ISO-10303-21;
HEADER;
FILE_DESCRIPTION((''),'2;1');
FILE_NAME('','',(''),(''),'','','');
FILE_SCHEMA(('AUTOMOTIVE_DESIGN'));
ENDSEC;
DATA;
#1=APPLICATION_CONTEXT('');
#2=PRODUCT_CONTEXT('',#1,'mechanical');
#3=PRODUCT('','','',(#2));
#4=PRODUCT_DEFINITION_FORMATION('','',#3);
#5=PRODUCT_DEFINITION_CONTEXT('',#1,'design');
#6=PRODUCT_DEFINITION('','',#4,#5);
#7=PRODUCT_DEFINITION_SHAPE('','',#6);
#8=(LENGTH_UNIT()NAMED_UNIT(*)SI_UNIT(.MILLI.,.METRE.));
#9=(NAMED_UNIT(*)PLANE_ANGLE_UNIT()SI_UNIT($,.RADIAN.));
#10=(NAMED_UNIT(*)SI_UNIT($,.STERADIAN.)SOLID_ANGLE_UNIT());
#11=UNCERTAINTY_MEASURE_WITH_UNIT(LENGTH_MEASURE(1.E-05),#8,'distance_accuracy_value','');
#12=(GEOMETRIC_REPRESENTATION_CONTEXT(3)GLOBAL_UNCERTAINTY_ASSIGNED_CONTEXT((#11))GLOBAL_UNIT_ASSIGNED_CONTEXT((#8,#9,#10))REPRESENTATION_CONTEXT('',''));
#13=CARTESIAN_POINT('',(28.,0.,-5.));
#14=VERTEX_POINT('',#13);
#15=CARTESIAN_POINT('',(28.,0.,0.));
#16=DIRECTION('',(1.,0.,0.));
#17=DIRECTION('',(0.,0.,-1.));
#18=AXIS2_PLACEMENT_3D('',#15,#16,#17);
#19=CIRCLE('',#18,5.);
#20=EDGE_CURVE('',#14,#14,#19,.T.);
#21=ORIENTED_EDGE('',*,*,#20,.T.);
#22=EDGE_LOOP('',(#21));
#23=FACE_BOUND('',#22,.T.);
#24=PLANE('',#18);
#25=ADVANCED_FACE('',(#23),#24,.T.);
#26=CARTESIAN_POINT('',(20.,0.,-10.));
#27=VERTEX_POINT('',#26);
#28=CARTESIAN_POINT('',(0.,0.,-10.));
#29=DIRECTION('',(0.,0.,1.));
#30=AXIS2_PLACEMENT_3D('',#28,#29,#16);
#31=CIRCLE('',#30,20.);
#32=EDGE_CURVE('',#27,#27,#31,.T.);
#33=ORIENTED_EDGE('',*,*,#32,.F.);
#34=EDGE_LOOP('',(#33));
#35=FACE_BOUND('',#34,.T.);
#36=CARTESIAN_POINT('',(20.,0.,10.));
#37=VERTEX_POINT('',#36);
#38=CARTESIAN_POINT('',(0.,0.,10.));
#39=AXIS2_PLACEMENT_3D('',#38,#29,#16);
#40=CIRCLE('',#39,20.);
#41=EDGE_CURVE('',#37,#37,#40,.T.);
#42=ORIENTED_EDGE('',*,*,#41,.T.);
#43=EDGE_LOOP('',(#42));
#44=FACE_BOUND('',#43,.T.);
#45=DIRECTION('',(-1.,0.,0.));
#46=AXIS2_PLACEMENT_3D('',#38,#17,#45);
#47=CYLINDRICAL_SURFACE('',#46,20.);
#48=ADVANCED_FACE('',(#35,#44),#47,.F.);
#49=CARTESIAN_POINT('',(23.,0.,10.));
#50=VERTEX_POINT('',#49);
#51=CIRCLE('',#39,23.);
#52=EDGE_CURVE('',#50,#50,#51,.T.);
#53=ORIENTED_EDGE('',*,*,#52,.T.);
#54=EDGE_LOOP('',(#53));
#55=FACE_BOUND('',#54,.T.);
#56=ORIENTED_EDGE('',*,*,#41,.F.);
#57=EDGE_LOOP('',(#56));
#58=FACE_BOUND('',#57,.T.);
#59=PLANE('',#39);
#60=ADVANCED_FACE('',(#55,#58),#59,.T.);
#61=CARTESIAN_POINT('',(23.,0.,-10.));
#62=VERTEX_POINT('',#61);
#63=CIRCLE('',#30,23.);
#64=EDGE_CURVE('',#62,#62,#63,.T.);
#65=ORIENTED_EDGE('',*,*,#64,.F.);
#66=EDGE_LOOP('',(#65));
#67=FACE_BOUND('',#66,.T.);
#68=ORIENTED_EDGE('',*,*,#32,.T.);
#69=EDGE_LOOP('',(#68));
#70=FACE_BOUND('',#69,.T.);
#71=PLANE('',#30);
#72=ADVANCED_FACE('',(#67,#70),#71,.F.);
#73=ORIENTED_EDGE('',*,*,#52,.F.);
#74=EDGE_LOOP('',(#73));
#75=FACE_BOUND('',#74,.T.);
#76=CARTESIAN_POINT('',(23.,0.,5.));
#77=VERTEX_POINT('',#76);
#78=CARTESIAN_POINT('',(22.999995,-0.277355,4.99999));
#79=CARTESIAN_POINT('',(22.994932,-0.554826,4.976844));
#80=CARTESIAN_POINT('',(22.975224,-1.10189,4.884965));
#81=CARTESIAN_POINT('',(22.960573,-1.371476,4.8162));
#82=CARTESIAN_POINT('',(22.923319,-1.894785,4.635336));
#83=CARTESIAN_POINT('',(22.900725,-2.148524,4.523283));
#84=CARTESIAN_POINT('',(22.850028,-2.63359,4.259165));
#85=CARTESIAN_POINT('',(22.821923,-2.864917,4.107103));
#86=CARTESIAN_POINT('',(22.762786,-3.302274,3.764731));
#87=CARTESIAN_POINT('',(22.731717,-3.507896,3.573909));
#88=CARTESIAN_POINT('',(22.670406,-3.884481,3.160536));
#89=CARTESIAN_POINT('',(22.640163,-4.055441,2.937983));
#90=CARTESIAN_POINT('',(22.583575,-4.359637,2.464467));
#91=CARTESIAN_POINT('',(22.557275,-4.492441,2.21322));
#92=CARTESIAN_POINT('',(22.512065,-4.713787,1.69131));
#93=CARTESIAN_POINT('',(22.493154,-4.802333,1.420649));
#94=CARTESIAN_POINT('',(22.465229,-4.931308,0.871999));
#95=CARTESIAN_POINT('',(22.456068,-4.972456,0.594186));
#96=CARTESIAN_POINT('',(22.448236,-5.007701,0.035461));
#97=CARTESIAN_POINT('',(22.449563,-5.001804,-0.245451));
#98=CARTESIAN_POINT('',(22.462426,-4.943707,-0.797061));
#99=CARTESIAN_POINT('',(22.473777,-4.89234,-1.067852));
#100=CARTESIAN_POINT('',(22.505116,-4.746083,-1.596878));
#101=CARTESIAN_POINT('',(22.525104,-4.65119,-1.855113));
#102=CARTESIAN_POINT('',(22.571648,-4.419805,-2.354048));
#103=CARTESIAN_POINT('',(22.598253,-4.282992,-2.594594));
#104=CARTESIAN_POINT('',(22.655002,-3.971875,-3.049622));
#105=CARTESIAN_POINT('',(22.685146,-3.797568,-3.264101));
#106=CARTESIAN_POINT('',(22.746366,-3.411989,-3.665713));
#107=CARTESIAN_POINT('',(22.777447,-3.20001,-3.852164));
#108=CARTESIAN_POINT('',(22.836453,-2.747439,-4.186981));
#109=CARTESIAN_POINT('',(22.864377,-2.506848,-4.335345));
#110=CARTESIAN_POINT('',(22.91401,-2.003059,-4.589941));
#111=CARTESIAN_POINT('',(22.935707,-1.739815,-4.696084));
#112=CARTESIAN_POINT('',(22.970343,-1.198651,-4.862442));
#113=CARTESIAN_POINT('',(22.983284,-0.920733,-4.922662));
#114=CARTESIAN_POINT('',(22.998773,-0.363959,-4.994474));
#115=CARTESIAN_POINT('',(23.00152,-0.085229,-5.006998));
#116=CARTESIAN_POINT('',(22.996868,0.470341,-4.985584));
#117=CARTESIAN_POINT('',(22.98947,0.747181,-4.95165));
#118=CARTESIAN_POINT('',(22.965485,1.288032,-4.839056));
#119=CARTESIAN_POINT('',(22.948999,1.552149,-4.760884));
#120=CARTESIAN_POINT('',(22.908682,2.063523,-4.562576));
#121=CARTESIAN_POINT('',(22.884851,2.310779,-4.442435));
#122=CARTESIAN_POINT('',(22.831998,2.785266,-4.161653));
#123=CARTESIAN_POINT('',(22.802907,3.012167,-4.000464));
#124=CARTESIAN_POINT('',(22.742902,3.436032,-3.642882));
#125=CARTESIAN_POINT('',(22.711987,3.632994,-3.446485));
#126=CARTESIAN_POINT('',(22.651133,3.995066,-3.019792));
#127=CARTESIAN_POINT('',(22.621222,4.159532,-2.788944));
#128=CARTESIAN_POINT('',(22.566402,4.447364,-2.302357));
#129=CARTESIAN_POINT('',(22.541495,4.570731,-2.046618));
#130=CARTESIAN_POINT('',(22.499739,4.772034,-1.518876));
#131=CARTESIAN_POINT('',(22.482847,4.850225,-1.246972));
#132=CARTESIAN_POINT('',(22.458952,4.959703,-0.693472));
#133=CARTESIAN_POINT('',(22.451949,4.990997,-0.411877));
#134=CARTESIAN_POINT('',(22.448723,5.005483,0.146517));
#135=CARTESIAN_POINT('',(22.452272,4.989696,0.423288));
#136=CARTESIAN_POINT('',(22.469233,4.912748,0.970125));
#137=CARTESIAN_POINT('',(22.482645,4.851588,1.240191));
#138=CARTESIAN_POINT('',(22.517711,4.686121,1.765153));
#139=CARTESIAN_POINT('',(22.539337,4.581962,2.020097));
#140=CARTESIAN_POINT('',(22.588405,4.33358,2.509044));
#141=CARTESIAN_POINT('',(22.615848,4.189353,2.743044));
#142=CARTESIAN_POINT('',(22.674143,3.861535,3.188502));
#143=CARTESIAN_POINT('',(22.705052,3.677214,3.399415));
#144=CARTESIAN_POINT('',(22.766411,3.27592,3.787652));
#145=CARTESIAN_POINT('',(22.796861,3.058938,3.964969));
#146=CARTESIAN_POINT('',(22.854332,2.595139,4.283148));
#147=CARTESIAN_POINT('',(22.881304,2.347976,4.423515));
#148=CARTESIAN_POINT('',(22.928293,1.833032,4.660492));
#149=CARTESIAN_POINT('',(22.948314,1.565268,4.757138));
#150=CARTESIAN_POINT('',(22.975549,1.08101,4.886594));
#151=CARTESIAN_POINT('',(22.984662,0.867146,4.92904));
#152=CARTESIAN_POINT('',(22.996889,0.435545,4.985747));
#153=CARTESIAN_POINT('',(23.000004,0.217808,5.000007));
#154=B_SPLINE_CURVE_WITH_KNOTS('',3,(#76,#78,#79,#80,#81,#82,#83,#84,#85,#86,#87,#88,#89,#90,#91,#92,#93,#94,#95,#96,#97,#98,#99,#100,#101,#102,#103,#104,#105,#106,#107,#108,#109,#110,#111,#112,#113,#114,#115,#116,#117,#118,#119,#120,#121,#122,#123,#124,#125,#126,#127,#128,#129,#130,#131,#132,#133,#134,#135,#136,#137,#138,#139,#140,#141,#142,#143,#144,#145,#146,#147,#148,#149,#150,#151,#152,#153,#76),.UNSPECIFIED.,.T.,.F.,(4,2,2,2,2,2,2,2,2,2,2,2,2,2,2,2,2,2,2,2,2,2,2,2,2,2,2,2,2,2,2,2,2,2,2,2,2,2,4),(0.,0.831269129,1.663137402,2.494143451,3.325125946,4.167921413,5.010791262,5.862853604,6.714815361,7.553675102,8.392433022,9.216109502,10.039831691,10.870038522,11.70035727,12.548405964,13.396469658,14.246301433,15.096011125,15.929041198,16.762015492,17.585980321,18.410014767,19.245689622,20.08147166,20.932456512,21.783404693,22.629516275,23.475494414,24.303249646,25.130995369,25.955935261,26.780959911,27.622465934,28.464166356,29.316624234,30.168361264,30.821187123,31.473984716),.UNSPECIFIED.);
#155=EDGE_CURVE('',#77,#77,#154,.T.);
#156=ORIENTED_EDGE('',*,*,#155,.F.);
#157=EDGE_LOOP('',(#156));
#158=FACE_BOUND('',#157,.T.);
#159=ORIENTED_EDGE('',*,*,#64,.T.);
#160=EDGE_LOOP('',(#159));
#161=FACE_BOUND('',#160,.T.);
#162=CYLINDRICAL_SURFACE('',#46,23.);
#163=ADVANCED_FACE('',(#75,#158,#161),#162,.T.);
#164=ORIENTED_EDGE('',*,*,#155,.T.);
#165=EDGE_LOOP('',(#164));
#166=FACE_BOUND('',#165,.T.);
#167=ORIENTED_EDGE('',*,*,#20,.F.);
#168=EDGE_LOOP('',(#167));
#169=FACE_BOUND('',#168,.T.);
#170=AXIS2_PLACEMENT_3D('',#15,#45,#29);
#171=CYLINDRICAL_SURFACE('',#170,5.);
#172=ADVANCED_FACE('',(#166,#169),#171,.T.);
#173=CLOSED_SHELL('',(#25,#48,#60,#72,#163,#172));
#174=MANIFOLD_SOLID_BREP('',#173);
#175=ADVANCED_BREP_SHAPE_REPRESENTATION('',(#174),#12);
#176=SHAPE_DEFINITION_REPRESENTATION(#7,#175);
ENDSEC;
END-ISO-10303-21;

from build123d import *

# Parameters (mm, degrees)
ESQUISSE1_R                    = 23
ESQUISSE1_R_2                  = 20
BOSS_EXTRU_1_DEPTH             = 10
BOSS_EXTRU_2_REACH             = 54.393
BOSS_EXTRU_2_END_RADIUS        = 23
ESQUISSE2_R                    = 5
BOSS_EXTRU_2_DIRECTION_2_DEPTH = 5


with BuildPart() as part:
    # Esquisse1 → Boss.-Extru.1 (new, symmetric)
    with BuildSketch(Plane.XY):
        Circle(ESQUISSE1_R)
        Circle(ESQUISSE1_R_2, mode=Mode.SUBTRACT)
    extrude(amount=BOSS_EXTRU_1_DEPTH, both=True)

    # Boss.-Extru.2: up to this cylinder (the profile starts outside it)
    boss_extru_2_end = Plane(origin=(0, 0, 0), z_dir=(0, 0, -1)) * Cylinder(BOSS_EXTRU_2_END_RADIUS, 155.786, mode=Mode.PRIVATE)
    # Esquisse2 → Boss.-Extru.2 (add, up to the surface)
    with BuildSketch(Plane(origin=(23, 0, 0), x_dir=(0, 0, -1), z_dir=(1, 0, 0)), mode=Mode.PRIVATE) as boss_extru_2_sk1:
        Circle(ESQUISSE2_R)
    boss_extru_2_tool1 = extrude(boss_extru_2_sk1.sketch, amount=-BOSS_EXTRU_2_REACH, mode=Mode.PRIVATE) - boss_extru_2_end
    add(boss_extru_2_tool1.solids().sort_by_distance((23, 0, 0))[0])
    add(boss_extru_2_tool1.solids().sort_by_distance((23, 0, 0))[1])

    # Esquisse2 → Boss.-Extru.2 direction 2 (add)
    with BuildSketch(Plane(origin=(23, 0, 0), x_dir=(0, 0, -1), z_dir=(1, 0, 0))):
        Circle(ESQUISSE2_R)
    extrude(amount=BOSS_EXTRU_2_DIRECTION_2_DEPTH)


solid = part.part
